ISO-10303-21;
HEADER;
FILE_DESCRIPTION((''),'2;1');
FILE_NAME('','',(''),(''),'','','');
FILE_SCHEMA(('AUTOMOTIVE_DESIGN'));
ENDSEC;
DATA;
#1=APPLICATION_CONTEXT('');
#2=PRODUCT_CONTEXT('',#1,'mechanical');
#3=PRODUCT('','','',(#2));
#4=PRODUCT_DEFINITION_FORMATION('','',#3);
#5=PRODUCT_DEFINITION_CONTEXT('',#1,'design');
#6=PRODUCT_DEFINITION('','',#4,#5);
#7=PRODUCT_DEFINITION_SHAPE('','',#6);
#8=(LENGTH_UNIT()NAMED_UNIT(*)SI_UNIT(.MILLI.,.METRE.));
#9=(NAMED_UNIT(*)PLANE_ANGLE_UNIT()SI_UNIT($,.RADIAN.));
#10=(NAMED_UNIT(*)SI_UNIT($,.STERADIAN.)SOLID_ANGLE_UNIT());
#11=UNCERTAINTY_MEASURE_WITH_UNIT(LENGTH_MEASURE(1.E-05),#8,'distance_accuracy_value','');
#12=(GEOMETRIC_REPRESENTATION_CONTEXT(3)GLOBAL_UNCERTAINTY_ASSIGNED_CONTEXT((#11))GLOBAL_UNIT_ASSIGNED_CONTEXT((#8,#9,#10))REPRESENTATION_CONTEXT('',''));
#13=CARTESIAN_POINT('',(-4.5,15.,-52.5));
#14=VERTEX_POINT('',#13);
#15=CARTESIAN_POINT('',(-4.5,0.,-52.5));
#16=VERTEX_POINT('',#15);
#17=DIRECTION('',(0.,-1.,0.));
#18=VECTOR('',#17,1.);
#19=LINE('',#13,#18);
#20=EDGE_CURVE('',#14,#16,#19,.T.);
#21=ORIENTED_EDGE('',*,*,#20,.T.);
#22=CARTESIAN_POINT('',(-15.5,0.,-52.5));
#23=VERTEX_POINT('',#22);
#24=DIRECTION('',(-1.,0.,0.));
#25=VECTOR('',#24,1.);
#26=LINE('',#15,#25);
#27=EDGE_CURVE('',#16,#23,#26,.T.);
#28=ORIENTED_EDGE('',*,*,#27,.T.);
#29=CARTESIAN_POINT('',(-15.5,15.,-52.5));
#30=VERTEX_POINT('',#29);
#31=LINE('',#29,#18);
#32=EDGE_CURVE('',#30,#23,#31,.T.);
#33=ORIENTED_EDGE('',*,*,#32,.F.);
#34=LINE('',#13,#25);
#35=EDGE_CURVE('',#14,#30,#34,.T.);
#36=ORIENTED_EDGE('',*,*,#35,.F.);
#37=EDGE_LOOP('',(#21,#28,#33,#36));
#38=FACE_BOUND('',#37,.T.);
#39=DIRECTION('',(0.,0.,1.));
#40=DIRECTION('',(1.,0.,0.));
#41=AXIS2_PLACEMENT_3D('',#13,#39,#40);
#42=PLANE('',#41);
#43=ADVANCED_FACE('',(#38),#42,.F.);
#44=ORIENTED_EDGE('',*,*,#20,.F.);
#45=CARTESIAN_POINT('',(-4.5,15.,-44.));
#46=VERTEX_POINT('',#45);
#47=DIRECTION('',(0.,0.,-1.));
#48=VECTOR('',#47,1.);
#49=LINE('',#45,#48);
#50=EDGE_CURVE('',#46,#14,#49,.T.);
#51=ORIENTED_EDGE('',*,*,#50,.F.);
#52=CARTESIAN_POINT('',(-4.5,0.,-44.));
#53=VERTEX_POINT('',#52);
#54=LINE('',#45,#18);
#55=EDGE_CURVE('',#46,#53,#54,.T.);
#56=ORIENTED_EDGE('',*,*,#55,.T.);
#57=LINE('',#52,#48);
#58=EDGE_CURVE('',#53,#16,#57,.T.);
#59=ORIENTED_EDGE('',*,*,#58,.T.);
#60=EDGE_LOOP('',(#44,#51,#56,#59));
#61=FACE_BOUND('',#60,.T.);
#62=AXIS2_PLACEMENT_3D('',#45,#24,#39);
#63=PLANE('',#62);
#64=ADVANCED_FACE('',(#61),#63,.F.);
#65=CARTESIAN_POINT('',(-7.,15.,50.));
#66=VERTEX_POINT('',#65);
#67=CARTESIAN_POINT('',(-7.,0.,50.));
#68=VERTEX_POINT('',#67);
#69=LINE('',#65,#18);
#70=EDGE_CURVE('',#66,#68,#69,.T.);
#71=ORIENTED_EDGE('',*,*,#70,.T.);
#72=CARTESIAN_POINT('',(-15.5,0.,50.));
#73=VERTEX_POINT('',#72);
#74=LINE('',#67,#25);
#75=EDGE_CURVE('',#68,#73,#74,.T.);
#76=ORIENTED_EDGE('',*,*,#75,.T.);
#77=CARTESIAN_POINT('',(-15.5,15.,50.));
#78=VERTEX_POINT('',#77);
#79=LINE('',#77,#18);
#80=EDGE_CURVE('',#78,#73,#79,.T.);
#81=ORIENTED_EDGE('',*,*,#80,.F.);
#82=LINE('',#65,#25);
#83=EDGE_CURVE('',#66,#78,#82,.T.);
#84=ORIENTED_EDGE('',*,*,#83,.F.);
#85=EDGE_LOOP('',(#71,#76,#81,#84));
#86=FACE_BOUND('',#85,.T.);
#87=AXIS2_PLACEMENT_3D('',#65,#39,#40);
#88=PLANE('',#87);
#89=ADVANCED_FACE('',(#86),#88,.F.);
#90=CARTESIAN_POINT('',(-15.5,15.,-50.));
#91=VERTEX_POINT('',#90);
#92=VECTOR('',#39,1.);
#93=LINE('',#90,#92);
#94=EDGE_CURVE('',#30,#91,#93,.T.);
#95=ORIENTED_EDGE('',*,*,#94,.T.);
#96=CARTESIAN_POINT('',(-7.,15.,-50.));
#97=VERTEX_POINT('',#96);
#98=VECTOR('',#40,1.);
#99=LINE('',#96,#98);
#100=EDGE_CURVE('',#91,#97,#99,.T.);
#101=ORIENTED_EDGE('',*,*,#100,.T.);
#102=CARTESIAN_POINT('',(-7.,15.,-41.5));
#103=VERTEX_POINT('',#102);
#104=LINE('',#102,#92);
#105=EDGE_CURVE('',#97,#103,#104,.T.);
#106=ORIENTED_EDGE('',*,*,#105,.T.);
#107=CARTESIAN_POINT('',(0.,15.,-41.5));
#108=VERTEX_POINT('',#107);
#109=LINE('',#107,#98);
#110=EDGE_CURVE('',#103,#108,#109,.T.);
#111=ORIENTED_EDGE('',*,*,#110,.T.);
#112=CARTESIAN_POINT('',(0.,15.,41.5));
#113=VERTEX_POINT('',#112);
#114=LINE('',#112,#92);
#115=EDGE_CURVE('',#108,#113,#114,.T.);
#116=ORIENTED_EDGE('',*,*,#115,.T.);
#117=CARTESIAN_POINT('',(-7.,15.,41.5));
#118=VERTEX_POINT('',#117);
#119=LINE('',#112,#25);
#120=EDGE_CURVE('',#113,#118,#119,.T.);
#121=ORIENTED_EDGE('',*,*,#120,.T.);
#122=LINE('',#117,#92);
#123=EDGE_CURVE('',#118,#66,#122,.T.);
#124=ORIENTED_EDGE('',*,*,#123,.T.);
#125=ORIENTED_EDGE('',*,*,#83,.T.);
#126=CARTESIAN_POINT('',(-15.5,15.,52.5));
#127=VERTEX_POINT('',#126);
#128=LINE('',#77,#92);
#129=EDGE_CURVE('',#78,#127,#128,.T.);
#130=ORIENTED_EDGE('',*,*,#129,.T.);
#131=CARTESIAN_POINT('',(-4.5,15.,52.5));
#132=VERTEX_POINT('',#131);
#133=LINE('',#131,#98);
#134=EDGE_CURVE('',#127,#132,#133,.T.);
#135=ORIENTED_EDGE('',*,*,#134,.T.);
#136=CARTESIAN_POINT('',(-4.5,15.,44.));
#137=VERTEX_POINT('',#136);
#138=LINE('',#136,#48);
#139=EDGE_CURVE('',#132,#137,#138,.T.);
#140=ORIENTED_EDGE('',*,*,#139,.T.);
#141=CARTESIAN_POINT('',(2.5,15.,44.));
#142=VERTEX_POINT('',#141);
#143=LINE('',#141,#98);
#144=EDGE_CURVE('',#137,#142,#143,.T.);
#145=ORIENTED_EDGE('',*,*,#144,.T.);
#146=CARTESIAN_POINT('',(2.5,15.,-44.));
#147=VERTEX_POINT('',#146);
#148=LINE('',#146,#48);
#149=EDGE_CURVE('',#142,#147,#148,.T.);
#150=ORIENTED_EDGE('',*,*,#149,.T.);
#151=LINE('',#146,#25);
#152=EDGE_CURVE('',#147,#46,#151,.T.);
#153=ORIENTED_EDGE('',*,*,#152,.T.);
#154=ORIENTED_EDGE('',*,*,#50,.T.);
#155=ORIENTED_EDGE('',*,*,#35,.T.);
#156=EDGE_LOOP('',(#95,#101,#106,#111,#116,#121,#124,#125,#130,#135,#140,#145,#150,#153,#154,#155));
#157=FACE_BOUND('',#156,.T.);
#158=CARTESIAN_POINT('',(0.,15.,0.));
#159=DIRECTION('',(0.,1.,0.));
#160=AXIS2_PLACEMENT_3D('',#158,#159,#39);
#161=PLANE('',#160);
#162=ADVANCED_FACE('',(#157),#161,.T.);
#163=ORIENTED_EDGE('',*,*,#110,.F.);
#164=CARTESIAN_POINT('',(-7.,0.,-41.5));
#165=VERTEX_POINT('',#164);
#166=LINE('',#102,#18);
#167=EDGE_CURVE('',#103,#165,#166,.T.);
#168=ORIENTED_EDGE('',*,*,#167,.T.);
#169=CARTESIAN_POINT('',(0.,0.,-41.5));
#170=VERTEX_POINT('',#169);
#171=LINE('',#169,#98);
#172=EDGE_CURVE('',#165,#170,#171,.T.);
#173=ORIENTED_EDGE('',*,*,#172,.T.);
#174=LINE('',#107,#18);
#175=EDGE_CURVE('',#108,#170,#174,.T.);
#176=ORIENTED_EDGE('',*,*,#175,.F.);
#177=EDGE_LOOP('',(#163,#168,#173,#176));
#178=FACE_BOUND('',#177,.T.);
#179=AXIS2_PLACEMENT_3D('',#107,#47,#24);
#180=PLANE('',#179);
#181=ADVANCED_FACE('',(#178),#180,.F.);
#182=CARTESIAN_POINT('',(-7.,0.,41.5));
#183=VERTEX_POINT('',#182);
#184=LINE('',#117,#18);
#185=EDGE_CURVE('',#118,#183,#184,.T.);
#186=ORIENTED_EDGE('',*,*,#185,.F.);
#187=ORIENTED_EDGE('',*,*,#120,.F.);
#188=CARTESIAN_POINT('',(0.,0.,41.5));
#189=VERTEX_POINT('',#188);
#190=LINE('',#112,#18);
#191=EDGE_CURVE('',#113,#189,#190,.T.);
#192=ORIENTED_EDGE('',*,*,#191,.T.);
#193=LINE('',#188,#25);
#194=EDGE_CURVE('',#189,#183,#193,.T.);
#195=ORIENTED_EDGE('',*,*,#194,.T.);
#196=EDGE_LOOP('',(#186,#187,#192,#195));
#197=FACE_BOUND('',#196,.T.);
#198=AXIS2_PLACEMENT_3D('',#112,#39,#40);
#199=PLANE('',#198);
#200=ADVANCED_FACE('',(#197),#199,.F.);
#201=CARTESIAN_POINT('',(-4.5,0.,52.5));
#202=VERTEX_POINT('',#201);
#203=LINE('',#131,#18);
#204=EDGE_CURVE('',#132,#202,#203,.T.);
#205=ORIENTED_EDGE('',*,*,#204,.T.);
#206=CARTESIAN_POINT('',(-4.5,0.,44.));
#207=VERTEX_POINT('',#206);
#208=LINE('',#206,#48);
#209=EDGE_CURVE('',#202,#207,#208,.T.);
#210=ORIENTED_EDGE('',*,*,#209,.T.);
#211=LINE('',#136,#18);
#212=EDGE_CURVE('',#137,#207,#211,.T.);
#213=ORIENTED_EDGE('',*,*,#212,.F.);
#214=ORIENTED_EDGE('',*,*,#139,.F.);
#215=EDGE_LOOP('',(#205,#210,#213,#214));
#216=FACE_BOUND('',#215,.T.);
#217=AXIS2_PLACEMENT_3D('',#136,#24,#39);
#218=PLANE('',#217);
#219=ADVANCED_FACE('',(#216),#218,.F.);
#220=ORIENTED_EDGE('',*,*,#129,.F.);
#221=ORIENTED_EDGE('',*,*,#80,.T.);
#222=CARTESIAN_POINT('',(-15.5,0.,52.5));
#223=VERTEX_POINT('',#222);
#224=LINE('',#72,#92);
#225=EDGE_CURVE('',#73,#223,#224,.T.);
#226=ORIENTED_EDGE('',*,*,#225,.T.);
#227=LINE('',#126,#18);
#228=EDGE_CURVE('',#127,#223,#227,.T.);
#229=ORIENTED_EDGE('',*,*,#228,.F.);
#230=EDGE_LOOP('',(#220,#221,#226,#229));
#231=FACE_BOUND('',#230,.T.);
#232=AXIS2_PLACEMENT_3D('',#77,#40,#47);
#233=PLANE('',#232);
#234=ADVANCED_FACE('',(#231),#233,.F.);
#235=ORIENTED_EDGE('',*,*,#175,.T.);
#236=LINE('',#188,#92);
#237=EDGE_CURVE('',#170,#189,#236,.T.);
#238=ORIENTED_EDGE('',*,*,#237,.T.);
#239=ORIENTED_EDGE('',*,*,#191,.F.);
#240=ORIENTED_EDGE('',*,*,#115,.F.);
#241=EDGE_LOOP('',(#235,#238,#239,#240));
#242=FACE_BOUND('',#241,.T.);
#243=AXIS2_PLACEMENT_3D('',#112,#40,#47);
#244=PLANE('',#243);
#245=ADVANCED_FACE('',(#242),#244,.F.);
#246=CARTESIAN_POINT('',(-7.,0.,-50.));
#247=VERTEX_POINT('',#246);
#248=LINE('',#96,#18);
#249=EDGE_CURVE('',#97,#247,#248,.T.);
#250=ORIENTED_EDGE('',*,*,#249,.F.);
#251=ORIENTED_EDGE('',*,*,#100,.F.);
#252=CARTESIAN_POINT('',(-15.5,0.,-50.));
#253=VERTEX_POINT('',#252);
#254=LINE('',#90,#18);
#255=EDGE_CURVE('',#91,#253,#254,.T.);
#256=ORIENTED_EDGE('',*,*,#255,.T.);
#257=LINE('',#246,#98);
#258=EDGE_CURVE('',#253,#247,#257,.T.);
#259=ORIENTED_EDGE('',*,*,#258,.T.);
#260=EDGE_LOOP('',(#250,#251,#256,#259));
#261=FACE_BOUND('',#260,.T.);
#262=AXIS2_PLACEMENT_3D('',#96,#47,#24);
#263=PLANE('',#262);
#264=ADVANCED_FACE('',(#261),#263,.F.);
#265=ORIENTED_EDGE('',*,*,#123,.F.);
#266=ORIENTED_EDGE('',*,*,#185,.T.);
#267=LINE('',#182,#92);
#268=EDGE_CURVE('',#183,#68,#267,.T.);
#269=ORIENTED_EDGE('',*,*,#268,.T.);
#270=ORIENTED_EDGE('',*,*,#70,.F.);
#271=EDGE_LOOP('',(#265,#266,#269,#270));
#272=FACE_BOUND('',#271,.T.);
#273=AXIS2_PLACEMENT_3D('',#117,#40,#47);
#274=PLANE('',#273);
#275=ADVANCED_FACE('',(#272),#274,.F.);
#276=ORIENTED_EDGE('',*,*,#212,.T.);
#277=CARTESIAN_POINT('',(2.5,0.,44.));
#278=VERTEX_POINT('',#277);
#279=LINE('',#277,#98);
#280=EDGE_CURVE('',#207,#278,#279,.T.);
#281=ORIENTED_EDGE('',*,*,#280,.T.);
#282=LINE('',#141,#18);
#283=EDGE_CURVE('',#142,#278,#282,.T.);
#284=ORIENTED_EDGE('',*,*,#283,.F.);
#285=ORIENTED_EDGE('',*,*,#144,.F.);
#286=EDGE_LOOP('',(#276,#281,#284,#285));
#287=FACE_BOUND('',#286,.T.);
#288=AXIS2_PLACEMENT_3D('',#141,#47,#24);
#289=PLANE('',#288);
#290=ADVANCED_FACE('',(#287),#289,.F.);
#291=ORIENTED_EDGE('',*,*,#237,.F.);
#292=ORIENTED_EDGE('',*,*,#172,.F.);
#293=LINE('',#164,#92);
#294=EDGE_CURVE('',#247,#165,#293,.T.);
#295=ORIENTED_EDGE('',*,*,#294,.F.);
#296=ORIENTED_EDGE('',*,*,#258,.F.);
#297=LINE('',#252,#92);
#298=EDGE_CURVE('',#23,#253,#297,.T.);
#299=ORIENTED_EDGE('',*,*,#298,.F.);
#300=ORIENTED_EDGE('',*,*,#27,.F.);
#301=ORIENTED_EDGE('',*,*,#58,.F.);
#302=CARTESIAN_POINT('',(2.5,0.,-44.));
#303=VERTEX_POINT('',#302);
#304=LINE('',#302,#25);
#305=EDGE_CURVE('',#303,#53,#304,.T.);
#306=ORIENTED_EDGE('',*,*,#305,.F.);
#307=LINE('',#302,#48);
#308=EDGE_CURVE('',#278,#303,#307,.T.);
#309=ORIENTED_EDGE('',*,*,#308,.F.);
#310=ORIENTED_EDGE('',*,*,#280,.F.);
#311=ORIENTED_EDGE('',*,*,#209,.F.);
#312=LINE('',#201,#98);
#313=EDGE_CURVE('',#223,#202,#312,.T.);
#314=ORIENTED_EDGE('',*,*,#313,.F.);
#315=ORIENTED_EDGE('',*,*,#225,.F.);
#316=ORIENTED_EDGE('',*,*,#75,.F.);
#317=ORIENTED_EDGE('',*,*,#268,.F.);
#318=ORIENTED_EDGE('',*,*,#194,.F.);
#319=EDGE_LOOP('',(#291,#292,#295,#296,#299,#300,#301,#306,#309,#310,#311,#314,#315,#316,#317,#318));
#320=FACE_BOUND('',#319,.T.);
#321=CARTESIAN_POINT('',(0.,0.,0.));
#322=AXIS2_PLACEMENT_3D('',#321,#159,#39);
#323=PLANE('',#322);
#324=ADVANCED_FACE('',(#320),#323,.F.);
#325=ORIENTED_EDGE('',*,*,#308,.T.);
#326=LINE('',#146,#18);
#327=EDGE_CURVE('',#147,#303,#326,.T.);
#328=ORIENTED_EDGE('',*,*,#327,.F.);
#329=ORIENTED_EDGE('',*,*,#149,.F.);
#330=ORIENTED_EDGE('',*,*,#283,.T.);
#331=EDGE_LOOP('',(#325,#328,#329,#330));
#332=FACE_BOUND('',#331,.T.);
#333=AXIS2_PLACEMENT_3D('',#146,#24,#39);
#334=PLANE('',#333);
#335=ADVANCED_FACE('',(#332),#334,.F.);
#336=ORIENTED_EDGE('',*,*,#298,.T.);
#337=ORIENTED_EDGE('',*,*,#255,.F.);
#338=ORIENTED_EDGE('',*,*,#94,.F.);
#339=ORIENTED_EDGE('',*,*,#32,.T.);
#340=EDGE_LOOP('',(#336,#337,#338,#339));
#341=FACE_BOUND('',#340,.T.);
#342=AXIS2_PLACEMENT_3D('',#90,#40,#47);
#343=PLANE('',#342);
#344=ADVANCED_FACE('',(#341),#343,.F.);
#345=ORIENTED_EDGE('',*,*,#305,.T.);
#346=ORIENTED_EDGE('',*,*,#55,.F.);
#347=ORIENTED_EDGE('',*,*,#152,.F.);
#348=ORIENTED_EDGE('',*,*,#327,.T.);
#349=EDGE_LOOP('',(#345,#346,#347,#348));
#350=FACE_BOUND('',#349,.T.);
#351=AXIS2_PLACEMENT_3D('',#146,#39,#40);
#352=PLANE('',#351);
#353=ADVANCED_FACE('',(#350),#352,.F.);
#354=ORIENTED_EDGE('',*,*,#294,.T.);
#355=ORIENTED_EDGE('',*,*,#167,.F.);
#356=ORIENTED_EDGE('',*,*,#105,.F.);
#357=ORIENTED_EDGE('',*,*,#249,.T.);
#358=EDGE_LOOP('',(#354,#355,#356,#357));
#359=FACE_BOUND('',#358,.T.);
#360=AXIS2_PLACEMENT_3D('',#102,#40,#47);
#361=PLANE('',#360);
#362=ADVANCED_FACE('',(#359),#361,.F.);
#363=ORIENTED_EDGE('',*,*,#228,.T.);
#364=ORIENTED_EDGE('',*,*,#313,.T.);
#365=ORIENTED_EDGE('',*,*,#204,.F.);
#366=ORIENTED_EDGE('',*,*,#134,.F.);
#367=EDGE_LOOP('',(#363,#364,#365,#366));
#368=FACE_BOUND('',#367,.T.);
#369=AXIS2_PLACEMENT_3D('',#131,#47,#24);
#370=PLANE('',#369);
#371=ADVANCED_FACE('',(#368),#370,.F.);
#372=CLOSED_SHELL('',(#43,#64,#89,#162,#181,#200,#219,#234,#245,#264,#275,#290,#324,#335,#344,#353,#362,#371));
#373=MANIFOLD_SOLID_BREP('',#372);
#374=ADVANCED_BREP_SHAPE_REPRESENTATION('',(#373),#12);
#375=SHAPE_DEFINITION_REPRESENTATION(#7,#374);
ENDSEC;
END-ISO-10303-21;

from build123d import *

# Parameters (mm, degrees)
BOSS_EXTRUDE1_DEPTH = 15


with BuildPart() as part:
    # Sketch1 → Boss-Extrude1 (new body)
    with BuildSketch(Plane(origin=(0, 0, 0), x_dir=(1, 0, 0), z_dir=(0, 1, 0))):
        Polygon((2.5, 44), (2.5, -44), (-4.5, -44), (-4.5, -52.5), (-15.5, -52.5), (-15.5, -50), (-7, -50), (-7, -41.5), (0, -41.5), (0, 41.5), (-7, 41.5), (-7, 50), (-15.5, 50), (-15.5, 52.5), (-4.5, 52.5), (-4.5, 44), align=None)
    extrude(amount=BOSS_EXTRUDE1_DEPTH)


solid = part.part
